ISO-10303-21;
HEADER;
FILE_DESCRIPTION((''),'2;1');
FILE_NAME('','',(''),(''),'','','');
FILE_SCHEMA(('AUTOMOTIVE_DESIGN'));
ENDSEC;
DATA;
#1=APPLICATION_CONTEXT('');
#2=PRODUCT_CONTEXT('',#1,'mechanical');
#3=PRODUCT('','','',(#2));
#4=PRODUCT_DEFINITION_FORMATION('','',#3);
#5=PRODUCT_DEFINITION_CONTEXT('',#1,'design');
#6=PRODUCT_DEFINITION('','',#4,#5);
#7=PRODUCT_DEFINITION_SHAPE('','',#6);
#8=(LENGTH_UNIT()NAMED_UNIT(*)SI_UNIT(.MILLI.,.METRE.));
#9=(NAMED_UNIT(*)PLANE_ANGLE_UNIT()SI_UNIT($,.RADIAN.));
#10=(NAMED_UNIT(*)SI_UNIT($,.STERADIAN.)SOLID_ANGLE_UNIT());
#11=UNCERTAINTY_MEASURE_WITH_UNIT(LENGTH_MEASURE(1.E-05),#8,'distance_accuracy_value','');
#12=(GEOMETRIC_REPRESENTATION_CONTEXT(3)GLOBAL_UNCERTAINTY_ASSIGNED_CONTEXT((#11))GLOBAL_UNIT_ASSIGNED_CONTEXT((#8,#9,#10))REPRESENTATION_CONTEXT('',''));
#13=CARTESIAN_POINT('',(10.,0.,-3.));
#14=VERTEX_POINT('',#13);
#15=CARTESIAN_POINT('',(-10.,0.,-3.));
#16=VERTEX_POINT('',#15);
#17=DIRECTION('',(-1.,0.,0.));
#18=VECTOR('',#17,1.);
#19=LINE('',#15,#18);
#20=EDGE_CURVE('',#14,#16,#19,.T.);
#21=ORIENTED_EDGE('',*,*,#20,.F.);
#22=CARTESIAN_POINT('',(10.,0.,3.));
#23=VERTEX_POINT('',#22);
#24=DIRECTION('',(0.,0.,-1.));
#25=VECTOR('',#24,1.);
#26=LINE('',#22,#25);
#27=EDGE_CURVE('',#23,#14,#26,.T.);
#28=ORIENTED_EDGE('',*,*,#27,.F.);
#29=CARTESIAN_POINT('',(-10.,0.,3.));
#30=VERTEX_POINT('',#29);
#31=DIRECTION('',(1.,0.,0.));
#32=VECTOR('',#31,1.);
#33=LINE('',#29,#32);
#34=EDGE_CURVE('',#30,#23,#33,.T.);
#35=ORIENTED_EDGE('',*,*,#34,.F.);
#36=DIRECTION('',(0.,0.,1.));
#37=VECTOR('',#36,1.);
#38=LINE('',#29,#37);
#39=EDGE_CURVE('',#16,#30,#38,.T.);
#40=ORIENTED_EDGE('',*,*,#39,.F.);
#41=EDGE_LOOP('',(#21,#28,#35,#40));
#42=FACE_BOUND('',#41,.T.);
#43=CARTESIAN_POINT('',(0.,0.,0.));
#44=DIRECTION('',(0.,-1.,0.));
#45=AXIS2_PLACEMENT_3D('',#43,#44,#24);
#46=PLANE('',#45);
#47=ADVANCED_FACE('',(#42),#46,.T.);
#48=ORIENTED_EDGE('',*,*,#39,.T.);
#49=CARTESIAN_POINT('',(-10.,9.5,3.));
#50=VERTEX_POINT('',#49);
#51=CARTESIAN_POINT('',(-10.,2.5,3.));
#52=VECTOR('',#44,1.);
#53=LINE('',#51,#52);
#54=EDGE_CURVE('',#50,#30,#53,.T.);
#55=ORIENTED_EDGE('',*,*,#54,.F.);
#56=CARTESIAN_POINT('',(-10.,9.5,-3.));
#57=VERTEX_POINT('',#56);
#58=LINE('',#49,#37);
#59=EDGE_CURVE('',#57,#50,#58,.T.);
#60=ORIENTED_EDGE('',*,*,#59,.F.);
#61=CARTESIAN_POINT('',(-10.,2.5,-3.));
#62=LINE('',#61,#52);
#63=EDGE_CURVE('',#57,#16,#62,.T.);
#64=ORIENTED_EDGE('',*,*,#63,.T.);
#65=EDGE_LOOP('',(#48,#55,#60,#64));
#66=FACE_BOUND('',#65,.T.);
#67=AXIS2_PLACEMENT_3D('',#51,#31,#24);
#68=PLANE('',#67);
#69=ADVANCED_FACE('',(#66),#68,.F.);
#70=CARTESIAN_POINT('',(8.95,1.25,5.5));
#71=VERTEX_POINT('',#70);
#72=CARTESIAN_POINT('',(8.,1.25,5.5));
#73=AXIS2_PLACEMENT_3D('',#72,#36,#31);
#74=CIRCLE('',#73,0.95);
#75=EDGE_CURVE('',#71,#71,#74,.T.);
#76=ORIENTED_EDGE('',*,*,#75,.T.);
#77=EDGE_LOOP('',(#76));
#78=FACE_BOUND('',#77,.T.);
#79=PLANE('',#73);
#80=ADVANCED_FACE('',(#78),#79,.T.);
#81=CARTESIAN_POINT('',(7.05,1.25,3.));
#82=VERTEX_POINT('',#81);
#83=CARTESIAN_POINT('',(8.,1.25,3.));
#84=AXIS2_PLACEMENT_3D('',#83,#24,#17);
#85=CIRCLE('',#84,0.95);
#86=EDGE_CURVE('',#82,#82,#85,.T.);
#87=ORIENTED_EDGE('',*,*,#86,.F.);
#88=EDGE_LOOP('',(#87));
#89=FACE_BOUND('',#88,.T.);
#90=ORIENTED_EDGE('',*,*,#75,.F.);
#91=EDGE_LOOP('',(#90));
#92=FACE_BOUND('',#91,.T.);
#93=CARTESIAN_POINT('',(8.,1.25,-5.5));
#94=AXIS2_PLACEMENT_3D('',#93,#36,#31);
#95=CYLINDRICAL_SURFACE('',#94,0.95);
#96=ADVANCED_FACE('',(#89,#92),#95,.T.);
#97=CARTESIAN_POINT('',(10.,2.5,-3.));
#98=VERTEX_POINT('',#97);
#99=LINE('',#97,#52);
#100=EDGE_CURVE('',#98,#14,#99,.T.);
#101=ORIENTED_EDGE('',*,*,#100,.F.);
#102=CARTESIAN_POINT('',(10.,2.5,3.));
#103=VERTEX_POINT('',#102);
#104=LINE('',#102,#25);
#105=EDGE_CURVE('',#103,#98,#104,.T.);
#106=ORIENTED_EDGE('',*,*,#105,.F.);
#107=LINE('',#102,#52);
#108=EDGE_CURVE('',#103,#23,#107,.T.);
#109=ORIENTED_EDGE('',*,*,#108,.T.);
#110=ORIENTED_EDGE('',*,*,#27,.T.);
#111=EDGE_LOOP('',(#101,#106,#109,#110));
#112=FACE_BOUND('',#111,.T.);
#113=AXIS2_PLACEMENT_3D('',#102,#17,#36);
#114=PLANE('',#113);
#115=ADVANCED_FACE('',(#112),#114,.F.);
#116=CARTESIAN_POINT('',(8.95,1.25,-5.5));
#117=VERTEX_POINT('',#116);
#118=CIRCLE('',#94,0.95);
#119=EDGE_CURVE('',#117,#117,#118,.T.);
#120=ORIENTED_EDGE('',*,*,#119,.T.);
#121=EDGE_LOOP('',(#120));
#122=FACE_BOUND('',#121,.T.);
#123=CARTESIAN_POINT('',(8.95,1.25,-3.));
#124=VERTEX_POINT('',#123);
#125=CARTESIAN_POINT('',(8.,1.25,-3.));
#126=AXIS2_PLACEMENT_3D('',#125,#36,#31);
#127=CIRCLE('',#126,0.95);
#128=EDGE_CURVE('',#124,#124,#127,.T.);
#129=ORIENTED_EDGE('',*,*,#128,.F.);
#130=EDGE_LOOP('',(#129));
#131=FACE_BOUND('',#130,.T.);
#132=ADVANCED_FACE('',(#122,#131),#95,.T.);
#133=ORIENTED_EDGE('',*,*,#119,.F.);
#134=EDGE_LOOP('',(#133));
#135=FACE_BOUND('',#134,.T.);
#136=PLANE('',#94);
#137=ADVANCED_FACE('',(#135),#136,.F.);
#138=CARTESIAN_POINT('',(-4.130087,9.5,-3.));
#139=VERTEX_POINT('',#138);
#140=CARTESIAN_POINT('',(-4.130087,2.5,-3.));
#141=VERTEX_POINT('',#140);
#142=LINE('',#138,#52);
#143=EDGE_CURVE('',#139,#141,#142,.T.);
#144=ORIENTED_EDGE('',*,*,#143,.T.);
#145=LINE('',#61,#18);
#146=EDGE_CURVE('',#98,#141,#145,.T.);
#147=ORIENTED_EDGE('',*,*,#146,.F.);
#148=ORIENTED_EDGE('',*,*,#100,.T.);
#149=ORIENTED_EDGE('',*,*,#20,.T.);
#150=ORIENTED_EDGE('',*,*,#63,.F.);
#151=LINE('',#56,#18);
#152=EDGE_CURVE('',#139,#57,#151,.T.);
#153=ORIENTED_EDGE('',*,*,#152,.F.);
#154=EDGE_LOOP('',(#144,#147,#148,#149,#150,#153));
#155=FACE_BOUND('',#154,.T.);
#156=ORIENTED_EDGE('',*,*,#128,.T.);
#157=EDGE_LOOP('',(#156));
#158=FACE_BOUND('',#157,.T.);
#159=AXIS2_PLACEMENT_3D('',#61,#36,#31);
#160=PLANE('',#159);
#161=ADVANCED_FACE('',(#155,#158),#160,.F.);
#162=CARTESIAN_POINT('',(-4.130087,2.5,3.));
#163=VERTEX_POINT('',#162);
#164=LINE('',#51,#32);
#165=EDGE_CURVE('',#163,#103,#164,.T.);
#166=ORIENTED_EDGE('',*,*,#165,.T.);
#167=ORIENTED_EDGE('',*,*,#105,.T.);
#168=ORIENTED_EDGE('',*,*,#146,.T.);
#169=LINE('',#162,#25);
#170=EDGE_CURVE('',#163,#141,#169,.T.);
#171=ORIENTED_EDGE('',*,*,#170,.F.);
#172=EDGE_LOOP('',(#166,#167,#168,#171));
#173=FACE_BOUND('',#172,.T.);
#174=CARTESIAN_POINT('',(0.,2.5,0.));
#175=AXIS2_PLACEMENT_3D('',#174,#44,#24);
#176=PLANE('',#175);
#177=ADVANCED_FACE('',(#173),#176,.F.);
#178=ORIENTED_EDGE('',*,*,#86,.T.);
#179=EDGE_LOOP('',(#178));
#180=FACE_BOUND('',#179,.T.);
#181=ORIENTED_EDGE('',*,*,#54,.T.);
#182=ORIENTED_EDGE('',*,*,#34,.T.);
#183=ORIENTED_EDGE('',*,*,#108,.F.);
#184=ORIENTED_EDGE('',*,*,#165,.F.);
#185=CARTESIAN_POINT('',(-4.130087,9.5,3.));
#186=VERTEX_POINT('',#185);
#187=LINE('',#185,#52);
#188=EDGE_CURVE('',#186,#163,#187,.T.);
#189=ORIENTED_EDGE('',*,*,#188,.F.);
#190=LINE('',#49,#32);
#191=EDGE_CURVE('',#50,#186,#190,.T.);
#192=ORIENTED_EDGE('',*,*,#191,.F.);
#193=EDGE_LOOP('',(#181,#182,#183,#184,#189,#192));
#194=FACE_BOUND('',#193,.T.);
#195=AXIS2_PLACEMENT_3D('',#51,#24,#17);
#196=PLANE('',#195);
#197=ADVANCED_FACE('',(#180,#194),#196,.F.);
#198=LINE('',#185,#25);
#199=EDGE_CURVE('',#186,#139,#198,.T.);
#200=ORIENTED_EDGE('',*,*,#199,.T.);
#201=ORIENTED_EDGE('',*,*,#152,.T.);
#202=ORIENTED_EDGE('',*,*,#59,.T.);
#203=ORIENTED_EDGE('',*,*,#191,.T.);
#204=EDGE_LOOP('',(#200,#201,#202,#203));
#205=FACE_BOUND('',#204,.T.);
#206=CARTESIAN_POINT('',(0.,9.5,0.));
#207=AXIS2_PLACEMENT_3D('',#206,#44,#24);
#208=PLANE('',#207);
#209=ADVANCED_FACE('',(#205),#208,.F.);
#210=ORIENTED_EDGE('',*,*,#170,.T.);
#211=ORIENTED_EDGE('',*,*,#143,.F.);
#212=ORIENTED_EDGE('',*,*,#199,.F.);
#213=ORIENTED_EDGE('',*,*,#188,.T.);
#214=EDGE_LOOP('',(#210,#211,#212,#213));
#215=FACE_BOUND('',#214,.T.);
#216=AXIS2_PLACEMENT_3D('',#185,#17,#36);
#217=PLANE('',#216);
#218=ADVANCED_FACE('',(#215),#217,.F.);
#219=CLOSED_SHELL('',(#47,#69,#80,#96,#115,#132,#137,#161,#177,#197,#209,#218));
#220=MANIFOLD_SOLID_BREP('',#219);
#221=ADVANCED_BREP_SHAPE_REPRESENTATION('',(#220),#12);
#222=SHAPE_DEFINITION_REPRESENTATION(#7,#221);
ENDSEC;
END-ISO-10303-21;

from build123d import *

# Parameters (mm, degrees)
SKETCH1_W                = 20
SKETCH1_H                = 6
BOSS_EXTRUDE1_DEPTH      = 2.5
SKETCH2_R                = 0.95
BOSS_EXTRUDE2_DEPTH      = 2.5
BOSS_EXTRUDE2_DEPTH_BACK = 8.5
SKETCH4_W                = 5.869913051
SKETCH4_H                = 6
BOSS_EXTRUDE3_DEPTH      = 7


with BuildPart() as part:
    # Sketch1 → Boss-Extrude1 (new body)
    with BuildSketch(Plane(origin=(0, 0, 0), x_dir=(1, 0, 0), z_dir=(0, 1, 0))):
        Rectangle(SKETCH1_W, SKETCH1_H)
    extrude(amount=BOSS_EXTRUDE1_DEPTH)

    # Sketch2 → Boss-Extrude2 (add, two sides)
    with BuildSketch(Plane.XY.offset(3)) as boss_extrude2_sk:
        with Locations((8, 1.25)):
            Circle(SKETCH2_R)
    extrude(amount=BOSS_EXTRUDE2_DEPTH)
    extrude(boss_extrude2_sk.sketch, amount=-BOSS_EXTRUDE2_DEPTH_BACK)

    # Sketch4 → Boss-Extrude3 (add)
    with BuildSketch(Plane(origin=(0, 2.5, 0), x_dir=(1, 0, 0), z_dir=(0, 1, 0))):
        with Locations((-7.065043474, 0)):
            Rectangle(SKETCH4_W, SKETCH4_H)
    extrude(amount=BOSS_EXTRUDE3_DEPTH)


solid = part.part
